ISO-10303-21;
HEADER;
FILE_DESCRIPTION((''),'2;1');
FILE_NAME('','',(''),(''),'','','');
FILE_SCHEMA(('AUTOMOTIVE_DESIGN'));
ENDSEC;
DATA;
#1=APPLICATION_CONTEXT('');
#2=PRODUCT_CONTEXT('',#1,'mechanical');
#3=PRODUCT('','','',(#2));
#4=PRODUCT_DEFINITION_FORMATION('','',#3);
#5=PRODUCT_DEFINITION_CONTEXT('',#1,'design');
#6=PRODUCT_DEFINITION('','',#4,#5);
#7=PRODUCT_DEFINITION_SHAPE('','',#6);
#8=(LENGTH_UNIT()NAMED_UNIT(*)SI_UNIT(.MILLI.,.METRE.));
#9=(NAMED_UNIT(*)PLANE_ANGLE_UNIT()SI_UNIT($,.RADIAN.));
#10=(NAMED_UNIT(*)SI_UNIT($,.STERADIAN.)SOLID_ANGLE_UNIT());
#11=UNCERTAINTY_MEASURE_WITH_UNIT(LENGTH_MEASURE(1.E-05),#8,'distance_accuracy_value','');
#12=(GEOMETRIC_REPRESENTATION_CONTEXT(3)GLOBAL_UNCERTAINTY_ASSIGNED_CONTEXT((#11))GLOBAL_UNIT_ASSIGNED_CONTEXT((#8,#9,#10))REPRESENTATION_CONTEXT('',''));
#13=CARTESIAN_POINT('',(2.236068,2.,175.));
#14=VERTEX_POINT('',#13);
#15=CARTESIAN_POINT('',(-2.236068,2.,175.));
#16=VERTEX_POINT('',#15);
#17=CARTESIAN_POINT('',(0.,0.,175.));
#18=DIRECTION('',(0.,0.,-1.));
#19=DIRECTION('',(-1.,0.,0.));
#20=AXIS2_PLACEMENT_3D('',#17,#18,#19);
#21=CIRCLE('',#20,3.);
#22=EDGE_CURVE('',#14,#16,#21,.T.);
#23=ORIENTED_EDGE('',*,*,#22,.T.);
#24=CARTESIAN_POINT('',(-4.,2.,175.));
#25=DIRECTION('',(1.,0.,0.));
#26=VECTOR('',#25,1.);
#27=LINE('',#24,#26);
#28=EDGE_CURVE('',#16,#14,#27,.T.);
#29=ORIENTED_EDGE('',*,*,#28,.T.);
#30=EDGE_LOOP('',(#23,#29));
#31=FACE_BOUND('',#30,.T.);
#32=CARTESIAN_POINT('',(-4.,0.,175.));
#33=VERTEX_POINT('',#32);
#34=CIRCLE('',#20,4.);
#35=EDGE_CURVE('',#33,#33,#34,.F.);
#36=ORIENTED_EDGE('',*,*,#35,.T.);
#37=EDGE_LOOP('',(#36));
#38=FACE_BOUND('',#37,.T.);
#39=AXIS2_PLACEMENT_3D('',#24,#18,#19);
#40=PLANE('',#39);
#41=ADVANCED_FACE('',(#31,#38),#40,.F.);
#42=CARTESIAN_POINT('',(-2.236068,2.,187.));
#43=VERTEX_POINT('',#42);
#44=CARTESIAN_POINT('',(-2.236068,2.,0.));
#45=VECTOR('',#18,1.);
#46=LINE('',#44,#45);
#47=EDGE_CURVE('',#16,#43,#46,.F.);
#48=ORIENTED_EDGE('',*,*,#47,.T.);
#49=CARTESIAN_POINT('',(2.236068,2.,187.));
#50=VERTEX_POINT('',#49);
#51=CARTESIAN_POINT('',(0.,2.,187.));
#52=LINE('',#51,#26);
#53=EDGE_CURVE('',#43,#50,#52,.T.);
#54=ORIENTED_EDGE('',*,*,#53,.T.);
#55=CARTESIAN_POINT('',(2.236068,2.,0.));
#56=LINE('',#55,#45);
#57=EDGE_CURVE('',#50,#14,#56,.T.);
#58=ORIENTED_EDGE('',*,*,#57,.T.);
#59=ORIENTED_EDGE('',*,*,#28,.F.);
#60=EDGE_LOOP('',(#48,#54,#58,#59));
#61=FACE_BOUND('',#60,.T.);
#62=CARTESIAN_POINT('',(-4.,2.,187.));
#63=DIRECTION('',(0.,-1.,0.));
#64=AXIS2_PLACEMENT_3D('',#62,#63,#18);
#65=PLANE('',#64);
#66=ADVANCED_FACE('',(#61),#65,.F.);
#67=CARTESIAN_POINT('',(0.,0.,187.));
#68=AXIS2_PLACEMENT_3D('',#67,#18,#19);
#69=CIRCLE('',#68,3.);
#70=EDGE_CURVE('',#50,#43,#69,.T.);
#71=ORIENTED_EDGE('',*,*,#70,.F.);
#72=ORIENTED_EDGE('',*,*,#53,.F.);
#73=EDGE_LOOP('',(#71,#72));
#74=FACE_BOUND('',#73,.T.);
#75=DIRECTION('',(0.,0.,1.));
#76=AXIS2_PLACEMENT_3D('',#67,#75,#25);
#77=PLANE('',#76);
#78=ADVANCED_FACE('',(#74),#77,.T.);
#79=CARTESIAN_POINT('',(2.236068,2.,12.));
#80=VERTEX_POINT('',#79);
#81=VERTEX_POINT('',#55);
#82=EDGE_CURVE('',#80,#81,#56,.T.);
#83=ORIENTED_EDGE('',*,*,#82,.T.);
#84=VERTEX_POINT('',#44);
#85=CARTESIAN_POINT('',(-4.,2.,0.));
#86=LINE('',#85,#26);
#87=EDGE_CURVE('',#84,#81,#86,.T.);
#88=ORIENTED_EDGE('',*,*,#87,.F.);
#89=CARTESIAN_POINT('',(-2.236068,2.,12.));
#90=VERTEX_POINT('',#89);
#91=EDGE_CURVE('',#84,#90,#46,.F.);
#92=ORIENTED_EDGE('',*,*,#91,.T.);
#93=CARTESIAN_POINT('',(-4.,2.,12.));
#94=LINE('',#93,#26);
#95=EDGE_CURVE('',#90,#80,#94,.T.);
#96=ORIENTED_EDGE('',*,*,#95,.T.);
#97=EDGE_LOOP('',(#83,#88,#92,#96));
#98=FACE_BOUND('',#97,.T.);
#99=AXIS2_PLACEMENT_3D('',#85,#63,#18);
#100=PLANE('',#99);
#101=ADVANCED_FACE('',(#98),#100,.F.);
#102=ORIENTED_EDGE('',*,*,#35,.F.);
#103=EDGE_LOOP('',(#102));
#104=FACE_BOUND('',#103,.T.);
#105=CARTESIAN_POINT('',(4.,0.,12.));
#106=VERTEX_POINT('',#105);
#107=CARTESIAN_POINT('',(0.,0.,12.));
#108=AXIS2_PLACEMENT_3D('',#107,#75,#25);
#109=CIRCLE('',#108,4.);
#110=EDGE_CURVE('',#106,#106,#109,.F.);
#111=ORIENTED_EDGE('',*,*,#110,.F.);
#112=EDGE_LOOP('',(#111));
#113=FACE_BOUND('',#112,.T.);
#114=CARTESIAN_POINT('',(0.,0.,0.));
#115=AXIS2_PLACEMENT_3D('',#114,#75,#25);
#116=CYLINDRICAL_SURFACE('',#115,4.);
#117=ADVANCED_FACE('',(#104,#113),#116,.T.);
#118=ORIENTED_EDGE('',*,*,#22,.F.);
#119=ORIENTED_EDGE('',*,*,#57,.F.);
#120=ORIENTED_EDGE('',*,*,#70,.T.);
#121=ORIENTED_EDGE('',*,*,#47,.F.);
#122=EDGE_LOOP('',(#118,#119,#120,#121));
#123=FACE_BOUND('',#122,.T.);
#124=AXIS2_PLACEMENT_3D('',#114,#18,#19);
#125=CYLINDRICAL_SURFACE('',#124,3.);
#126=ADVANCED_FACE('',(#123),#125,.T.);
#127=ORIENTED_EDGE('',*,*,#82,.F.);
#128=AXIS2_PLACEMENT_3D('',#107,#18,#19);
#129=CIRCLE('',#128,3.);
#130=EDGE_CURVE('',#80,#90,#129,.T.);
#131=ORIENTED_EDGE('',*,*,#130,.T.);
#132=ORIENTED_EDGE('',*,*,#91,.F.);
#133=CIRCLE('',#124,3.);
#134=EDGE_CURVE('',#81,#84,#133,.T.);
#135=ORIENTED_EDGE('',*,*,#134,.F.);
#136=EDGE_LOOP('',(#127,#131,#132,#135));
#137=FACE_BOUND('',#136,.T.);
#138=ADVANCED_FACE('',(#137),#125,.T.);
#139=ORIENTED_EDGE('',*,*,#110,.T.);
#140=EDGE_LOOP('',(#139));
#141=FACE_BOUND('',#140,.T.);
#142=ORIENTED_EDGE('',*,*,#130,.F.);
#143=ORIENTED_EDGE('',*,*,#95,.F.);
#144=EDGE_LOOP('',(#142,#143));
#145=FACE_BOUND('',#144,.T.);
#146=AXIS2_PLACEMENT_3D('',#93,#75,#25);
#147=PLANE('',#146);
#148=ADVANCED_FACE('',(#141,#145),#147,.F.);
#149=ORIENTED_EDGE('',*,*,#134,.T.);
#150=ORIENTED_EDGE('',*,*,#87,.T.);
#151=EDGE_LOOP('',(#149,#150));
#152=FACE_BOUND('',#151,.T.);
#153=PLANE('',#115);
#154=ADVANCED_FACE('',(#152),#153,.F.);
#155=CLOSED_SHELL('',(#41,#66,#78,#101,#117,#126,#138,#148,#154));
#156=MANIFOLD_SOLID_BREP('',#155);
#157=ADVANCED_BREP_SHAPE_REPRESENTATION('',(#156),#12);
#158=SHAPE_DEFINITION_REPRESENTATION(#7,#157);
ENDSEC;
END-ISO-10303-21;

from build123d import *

# Parameters (mm, degrees)
ESBO_O1_R                  = 6.35
RESSALTO_EXTRUS_O1_DEPTH   = 187
ESBO_O2_R                  = 12.7
ESBO_O2_R_2                = 4
CORTE_EXTRUS_O1_DEPTH      = 188.215504166
CORTE_EXTRUS_O2_DEPTH      = 188.085541932
CORTE_EXTRUS_O2_DEPTH_BACK = 188.085541932
ESBO_O3_W                  = 12
ESBO_O3_H                  = 10
ESBO_O5_W                  = 12
ESBO_O5_H                  = 10


with BuildPart() as part:
    # Esboço1 → Ressalto-extrusão1 (new body)
    with BuildSketch(Plane.XY):
        Circle(ESBO_O1_R)
    extrude(amount=RESSALTO_EXTRUS_O1_DEPTH)

    # Esboço2 → Corte-extrusão1 (cut, through all)
    with BuildSketch(Plane.XY.offset(187)):
        Circle(ESBO_O2_R)
        Circle(ESBO_O2_R_2, mode=Mode.SUBTRACT)
    extrude(amount=-CORTE_EXTRUS_O1_DEPTH, mode=Mode.SUBTRACT)

    # Esboço3 → Corte-extrusão2 (cut, two sides: drawn at the far end of the back side and taken through both)
    with BuildSketch(Plane(origin=(0, 0, 0), x_dir=(0, 0, -1), z_dir=(1, 0, 0)).offset(-CORTE_EXTRUS_O2_DEPTH_BACK)):
        with Locations((-181, 7)):
            Rectangle(ESBO_O3_W, ESBO_O3_H)
        with Locations((-6, 7)):
            Rectangle(ESBO_O3_W, ESBO_O3_H)
    extrude(amount=CORTE_EXTRUS_O2_DEPTH + CORTE_EXTRUS_O2_DEPTH_BACK, mode=Mode.SUBTRACT)

    # Esboço5 → Corte-Revolução2 (revolve, cut)
    with BuildSketch(Plane(origin=(0, 0, 0), x_dir=(0, 0, -1), z_dir=(1, 0, 0))):
        with Locations((-181, 8)):
            Rectangle(ESBO_O5_W, ESBO_O5_H)
        with Locations((-6, 8)):
            Rectangle(ESBO_O5_W, ESBO_O5_H)
    revolve(axis=Axis((0, 0, 0), (0, 0, 1)), mode=Mode.SUBTRACT)


solid = part.part
